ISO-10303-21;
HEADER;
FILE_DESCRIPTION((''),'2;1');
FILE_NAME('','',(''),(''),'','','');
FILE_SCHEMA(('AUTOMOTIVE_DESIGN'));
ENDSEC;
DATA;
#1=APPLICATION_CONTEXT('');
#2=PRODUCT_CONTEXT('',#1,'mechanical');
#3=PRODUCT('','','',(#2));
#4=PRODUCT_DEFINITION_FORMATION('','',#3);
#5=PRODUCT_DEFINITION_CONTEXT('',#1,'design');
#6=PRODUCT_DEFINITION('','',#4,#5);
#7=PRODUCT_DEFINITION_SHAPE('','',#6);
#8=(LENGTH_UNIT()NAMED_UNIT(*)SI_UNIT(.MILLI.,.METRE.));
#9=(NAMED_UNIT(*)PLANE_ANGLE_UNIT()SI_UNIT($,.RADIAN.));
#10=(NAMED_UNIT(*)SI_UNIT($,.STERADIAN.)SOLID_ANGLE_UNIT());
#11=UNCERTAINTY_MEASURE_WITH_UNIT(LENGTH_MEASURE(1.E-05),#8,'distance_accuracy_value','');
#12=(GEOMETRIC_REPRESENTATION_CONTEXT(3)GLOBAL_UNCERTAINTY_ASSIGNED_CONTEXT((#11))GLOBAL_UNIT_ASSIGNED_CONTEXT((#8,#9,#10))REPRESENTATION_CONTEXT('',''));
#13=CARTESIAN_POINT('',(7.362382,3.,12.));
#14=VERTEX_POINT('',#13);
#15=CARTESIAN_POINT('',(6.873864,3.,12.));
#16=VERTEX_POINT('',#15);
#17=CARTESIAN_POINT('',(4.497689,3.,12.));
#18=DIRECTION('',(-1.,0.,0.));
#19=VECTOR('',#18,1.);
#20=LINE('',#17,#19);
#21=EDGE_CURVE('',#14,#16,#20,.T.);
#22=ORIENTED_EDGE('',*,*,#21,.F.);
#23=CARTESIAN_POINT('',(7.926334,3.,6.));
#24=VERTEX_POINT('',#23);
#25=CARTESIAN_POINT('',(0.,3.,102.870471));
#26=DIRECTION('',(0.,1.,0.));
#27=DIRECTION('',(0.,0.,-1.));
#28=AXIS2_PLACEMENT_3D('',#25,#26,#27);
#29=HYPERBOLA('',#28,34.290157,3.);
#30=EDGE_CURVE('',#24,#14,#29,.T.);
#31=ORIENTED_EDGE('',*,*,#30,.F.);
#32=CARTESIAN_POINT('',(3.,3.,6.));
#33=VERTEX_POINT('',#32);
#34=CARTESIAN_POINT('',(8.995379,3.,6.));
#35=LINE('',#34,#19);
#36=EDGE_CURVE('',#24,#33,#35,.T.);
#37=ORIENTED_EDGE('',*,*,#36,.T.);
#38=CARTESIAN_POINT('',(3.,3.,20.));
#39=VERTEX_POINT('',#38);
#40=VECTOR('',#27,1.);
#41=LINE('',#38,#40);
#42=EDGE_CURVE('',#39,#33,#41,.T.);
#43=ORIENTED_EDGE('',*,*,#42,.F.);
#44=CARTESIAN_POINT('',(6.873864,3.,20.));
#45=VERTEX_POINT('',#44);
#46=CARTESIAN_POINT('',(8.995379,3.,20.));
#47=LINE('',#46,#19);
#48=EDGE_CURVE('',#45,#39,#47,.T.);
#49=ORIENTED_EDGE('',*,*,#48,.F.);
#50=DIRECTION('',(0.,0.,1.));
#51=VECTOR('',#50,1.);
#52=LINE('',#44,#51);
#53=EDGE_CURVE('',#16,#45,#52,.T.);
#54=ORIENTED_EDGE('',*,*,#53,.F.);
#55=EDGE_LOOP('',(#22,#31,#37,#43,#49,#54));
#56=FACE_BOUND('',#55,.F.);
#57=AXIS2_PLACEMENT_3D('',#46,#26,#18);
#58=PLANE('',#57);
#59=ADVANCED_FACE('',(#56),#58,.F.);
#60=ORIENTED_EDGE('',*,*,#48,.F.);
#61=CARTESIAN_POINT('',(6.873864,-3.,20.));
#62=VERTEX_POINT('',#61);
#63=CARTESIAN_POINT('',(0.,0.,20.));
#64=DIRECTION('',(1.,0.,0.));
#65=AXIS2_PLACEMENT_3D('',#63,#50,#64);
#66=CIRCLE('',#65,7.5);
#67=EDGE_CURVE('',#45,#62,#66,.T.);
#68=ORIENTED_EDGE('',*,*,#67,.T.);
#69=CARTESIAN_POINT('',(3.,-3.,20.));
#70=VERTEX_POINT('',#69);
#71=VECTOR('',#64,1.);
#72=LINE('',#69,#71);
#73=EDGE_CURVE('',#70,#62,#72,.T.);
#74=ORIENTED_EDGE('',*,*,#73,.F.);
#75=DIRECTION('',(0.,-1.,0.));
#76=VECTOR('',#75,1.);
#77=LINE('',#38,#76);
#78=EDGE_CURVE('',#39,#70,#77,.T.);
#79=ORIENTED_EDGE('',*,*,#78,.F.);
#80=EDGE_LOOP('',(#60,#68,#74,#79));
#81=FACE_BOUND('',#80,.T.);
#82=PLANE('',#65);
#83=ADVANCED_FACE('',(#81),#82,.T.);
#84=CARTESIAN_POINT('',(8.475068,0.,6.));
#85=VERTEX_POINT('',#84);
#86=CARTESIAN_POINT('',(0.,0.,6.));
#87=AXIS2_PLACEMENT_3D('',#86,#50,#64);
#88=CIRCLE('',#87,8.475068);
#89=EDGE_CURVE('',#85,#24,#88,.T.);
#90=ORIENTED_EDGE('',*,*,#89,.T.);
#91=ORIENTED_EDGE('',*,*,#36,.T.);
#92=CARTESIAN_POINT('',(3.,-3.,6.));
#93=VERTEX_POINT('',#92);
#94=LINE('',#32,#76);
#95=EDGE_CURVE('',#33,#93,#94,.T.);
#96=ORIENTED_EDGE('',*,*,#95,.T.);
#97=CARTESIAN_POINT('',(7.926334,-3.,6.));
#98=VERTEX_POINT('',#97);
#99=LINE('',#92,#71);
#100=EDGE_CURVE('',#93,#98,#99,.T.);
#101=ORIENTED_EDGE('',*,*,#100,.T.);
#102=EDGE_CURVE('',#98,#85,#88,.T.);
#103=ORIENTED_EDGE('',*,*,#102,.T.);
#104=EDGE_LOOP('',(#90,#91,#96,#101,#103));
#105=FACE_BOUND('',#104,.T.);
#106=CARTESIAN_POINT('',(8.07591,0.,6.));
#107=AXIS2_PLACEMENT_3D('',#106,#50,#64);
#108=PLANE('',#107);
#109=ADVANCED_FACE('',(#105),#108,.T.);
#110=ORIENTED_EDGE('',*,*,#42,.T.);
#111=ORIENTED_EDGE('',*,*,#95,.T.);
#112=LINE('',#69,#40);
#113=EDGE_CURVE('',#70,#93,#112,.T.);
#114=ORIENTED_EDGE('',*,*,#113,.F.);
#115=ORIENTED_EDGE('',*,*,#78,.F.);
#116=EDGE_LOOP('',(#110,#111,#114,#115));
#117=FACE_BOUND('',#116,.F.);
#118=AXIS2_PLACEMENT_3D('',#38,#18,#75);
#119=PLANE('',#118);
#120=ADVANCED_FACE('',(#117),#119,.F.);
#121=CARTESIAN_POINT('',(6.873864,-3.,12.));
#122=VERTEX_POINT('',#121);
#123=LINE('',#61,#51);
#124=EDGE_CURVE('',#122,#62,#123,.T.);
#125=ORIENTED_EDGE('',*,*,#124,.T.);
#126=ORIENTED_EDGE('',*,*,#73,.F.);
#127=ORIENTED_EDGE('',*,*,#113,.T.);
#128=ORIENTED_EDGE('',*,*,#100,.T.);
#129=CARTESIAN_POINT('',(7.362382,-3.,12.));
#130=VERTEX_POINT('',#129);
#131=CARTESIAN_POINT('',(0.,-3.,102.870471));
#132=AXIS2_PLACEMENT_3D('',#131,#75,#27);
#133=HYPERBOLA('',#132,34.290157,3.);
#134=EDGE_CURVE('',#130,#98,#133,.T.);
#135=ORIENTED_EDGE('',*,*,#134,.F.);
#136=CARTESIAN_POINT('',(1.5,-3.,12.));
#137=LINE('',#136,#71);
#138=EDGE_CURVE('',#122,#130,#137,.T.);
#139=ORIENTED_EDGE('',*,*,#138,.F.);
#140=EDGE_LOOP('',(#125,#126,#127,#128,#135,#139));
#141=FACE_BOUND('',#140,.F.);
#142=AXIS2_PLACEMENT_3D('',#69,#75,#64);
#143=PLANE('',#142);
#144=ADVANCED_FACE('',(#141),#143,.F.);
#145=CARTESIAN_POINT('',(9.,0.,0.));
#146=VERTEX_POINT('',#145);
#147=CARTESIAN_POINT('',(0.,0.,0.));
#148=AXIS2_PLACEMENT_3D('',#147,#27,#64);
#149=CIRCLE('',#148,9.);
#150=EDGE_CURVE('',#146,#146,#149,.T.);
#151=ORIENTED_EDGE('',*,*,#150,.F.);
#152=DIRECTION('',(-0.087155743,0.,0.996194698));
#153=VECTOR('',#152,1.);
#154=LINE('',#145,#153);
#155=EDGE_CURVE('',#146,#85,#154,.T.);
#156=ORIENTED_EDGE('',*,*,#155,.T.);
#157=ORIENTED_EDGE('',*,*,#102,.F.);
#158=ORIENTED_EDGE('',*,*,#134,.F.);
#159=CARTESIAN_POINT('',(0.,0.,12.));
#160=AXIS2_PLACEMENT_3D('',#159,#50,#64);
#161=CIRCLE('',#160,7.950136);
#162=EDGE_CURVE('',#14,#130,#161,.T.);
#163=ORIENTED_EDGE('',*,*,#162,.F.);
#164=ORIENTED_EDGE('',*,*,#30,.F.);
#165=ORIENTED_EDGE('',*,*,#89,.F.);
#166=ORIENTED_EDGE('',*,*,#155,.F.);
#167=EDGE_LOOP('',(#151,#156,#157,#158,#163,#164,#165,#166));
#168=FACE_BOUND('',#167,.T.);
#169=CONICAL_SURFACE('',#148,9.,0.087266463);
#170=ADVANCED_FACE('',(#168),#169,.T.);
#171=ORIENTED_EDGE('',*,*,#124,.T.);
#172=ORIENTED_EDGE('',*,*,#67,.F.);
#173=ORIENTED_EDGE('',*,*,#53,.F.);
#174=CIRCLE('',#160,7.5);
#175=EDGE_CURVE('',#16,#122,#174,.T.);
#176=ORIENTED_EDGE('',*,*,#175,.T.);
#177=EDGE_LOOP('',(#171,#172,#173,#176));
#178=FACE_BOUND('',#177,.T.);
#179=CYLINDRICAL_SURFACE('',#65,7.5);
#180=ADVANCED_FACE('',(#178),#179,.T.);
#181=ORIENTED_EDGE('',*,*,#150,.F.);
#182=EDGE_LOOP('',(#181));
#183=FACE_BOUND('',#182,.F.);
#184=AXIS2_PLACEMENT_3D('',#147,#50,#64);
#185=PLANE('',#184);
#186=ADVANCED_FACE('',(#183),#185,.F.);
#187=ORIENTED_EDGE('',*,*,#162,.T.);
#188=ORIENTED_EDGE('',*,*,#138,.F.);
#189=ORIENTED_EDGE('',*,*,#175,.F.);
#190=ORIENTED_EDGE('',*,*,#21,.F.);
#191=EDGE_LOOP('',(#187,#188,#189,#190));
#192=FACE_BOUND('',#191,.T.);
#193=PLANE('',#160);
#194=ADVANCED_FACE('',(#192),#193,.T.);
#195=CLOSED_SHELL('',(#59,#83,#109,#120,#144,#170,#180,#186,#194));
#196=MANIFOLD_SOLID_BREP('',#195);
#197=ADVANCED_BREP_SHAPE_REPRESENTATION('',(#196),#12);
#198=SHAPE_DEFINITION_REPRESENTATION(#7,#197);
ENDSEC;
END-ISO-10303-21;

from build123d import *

# Parameters (mm, degrees)
F0_R     = 9
F1_DEPTH = 20
F1_TAPER = 5
F2_R     = 7.5
F2_R_2   = 7.2502267295
F3_DEPTH = 10
F4_R     = 9
F4_R_2   = 7.5
F5_DEPTH = 8
F7_DEPTH = 14


with BuildPart() as f1:
    # F0 (on Top) → F1 (new body)
    with BuildSketch(Plane.XY):
        Circle(F0_R)
    extrude(amount=F1_DEPTH, taper=F1_TAPER)

    # F2 (on face) → F3 (join)
    with BuildSketch(Plane.XY.offset(20)):
        Circle(F2_R)
        Circle(F2_R_2, mode=Mode.SUBTRACT)
    extrude(amount=-F3_DEPTH)

    # F4 (on face) → F5 (cut)
    with BuildSketch(Plane.XY.offset(20)):
        Circle(F4_R)
        Circle(F4_R_2, mode=Mode.SUBTRACT)
    extrude(amount=-F5_DEPTH, mode=Mode.SUBTRACT)

    # F6 (on face) → F7 (cut)
    with BuildSketch(Plane.XY.offset(20)):
        with BuildLine():
            Line((6.8738635424, -3), (8.9953789802, -3))
            Line((8.9953789802, -3), (8.9953789802, 3))
            Line((8.9953789802, 3), (6.8738635424, 3))
            ThreePointArc((6.8738635424, 3), (7.341797347, 1.5323223277), (7.5, 0))
            ThreePointArc((7.5, 0), (7.341797347, -1.5323223277), (6.8738635424, -3))
        make_face()
        with BuildLine():
            Line((3, -3), (6.8738635424, -3))
            ThreePointArc((6.8738635424, -3), (7.341797347, -1.5323223277), (7.5, 0))
            ThreePointArc((7.5, 0), (7.341797347, 1.5323223277), (6.8738635424, 3))
            Line((6.8738635424, 3), (3, 3))
            Line((3, 3), (3, -3))
        make_face()
    extrude(amount=-F7_DEPTH, mode=Mode.SUBTRACT)


solid = f1.part
